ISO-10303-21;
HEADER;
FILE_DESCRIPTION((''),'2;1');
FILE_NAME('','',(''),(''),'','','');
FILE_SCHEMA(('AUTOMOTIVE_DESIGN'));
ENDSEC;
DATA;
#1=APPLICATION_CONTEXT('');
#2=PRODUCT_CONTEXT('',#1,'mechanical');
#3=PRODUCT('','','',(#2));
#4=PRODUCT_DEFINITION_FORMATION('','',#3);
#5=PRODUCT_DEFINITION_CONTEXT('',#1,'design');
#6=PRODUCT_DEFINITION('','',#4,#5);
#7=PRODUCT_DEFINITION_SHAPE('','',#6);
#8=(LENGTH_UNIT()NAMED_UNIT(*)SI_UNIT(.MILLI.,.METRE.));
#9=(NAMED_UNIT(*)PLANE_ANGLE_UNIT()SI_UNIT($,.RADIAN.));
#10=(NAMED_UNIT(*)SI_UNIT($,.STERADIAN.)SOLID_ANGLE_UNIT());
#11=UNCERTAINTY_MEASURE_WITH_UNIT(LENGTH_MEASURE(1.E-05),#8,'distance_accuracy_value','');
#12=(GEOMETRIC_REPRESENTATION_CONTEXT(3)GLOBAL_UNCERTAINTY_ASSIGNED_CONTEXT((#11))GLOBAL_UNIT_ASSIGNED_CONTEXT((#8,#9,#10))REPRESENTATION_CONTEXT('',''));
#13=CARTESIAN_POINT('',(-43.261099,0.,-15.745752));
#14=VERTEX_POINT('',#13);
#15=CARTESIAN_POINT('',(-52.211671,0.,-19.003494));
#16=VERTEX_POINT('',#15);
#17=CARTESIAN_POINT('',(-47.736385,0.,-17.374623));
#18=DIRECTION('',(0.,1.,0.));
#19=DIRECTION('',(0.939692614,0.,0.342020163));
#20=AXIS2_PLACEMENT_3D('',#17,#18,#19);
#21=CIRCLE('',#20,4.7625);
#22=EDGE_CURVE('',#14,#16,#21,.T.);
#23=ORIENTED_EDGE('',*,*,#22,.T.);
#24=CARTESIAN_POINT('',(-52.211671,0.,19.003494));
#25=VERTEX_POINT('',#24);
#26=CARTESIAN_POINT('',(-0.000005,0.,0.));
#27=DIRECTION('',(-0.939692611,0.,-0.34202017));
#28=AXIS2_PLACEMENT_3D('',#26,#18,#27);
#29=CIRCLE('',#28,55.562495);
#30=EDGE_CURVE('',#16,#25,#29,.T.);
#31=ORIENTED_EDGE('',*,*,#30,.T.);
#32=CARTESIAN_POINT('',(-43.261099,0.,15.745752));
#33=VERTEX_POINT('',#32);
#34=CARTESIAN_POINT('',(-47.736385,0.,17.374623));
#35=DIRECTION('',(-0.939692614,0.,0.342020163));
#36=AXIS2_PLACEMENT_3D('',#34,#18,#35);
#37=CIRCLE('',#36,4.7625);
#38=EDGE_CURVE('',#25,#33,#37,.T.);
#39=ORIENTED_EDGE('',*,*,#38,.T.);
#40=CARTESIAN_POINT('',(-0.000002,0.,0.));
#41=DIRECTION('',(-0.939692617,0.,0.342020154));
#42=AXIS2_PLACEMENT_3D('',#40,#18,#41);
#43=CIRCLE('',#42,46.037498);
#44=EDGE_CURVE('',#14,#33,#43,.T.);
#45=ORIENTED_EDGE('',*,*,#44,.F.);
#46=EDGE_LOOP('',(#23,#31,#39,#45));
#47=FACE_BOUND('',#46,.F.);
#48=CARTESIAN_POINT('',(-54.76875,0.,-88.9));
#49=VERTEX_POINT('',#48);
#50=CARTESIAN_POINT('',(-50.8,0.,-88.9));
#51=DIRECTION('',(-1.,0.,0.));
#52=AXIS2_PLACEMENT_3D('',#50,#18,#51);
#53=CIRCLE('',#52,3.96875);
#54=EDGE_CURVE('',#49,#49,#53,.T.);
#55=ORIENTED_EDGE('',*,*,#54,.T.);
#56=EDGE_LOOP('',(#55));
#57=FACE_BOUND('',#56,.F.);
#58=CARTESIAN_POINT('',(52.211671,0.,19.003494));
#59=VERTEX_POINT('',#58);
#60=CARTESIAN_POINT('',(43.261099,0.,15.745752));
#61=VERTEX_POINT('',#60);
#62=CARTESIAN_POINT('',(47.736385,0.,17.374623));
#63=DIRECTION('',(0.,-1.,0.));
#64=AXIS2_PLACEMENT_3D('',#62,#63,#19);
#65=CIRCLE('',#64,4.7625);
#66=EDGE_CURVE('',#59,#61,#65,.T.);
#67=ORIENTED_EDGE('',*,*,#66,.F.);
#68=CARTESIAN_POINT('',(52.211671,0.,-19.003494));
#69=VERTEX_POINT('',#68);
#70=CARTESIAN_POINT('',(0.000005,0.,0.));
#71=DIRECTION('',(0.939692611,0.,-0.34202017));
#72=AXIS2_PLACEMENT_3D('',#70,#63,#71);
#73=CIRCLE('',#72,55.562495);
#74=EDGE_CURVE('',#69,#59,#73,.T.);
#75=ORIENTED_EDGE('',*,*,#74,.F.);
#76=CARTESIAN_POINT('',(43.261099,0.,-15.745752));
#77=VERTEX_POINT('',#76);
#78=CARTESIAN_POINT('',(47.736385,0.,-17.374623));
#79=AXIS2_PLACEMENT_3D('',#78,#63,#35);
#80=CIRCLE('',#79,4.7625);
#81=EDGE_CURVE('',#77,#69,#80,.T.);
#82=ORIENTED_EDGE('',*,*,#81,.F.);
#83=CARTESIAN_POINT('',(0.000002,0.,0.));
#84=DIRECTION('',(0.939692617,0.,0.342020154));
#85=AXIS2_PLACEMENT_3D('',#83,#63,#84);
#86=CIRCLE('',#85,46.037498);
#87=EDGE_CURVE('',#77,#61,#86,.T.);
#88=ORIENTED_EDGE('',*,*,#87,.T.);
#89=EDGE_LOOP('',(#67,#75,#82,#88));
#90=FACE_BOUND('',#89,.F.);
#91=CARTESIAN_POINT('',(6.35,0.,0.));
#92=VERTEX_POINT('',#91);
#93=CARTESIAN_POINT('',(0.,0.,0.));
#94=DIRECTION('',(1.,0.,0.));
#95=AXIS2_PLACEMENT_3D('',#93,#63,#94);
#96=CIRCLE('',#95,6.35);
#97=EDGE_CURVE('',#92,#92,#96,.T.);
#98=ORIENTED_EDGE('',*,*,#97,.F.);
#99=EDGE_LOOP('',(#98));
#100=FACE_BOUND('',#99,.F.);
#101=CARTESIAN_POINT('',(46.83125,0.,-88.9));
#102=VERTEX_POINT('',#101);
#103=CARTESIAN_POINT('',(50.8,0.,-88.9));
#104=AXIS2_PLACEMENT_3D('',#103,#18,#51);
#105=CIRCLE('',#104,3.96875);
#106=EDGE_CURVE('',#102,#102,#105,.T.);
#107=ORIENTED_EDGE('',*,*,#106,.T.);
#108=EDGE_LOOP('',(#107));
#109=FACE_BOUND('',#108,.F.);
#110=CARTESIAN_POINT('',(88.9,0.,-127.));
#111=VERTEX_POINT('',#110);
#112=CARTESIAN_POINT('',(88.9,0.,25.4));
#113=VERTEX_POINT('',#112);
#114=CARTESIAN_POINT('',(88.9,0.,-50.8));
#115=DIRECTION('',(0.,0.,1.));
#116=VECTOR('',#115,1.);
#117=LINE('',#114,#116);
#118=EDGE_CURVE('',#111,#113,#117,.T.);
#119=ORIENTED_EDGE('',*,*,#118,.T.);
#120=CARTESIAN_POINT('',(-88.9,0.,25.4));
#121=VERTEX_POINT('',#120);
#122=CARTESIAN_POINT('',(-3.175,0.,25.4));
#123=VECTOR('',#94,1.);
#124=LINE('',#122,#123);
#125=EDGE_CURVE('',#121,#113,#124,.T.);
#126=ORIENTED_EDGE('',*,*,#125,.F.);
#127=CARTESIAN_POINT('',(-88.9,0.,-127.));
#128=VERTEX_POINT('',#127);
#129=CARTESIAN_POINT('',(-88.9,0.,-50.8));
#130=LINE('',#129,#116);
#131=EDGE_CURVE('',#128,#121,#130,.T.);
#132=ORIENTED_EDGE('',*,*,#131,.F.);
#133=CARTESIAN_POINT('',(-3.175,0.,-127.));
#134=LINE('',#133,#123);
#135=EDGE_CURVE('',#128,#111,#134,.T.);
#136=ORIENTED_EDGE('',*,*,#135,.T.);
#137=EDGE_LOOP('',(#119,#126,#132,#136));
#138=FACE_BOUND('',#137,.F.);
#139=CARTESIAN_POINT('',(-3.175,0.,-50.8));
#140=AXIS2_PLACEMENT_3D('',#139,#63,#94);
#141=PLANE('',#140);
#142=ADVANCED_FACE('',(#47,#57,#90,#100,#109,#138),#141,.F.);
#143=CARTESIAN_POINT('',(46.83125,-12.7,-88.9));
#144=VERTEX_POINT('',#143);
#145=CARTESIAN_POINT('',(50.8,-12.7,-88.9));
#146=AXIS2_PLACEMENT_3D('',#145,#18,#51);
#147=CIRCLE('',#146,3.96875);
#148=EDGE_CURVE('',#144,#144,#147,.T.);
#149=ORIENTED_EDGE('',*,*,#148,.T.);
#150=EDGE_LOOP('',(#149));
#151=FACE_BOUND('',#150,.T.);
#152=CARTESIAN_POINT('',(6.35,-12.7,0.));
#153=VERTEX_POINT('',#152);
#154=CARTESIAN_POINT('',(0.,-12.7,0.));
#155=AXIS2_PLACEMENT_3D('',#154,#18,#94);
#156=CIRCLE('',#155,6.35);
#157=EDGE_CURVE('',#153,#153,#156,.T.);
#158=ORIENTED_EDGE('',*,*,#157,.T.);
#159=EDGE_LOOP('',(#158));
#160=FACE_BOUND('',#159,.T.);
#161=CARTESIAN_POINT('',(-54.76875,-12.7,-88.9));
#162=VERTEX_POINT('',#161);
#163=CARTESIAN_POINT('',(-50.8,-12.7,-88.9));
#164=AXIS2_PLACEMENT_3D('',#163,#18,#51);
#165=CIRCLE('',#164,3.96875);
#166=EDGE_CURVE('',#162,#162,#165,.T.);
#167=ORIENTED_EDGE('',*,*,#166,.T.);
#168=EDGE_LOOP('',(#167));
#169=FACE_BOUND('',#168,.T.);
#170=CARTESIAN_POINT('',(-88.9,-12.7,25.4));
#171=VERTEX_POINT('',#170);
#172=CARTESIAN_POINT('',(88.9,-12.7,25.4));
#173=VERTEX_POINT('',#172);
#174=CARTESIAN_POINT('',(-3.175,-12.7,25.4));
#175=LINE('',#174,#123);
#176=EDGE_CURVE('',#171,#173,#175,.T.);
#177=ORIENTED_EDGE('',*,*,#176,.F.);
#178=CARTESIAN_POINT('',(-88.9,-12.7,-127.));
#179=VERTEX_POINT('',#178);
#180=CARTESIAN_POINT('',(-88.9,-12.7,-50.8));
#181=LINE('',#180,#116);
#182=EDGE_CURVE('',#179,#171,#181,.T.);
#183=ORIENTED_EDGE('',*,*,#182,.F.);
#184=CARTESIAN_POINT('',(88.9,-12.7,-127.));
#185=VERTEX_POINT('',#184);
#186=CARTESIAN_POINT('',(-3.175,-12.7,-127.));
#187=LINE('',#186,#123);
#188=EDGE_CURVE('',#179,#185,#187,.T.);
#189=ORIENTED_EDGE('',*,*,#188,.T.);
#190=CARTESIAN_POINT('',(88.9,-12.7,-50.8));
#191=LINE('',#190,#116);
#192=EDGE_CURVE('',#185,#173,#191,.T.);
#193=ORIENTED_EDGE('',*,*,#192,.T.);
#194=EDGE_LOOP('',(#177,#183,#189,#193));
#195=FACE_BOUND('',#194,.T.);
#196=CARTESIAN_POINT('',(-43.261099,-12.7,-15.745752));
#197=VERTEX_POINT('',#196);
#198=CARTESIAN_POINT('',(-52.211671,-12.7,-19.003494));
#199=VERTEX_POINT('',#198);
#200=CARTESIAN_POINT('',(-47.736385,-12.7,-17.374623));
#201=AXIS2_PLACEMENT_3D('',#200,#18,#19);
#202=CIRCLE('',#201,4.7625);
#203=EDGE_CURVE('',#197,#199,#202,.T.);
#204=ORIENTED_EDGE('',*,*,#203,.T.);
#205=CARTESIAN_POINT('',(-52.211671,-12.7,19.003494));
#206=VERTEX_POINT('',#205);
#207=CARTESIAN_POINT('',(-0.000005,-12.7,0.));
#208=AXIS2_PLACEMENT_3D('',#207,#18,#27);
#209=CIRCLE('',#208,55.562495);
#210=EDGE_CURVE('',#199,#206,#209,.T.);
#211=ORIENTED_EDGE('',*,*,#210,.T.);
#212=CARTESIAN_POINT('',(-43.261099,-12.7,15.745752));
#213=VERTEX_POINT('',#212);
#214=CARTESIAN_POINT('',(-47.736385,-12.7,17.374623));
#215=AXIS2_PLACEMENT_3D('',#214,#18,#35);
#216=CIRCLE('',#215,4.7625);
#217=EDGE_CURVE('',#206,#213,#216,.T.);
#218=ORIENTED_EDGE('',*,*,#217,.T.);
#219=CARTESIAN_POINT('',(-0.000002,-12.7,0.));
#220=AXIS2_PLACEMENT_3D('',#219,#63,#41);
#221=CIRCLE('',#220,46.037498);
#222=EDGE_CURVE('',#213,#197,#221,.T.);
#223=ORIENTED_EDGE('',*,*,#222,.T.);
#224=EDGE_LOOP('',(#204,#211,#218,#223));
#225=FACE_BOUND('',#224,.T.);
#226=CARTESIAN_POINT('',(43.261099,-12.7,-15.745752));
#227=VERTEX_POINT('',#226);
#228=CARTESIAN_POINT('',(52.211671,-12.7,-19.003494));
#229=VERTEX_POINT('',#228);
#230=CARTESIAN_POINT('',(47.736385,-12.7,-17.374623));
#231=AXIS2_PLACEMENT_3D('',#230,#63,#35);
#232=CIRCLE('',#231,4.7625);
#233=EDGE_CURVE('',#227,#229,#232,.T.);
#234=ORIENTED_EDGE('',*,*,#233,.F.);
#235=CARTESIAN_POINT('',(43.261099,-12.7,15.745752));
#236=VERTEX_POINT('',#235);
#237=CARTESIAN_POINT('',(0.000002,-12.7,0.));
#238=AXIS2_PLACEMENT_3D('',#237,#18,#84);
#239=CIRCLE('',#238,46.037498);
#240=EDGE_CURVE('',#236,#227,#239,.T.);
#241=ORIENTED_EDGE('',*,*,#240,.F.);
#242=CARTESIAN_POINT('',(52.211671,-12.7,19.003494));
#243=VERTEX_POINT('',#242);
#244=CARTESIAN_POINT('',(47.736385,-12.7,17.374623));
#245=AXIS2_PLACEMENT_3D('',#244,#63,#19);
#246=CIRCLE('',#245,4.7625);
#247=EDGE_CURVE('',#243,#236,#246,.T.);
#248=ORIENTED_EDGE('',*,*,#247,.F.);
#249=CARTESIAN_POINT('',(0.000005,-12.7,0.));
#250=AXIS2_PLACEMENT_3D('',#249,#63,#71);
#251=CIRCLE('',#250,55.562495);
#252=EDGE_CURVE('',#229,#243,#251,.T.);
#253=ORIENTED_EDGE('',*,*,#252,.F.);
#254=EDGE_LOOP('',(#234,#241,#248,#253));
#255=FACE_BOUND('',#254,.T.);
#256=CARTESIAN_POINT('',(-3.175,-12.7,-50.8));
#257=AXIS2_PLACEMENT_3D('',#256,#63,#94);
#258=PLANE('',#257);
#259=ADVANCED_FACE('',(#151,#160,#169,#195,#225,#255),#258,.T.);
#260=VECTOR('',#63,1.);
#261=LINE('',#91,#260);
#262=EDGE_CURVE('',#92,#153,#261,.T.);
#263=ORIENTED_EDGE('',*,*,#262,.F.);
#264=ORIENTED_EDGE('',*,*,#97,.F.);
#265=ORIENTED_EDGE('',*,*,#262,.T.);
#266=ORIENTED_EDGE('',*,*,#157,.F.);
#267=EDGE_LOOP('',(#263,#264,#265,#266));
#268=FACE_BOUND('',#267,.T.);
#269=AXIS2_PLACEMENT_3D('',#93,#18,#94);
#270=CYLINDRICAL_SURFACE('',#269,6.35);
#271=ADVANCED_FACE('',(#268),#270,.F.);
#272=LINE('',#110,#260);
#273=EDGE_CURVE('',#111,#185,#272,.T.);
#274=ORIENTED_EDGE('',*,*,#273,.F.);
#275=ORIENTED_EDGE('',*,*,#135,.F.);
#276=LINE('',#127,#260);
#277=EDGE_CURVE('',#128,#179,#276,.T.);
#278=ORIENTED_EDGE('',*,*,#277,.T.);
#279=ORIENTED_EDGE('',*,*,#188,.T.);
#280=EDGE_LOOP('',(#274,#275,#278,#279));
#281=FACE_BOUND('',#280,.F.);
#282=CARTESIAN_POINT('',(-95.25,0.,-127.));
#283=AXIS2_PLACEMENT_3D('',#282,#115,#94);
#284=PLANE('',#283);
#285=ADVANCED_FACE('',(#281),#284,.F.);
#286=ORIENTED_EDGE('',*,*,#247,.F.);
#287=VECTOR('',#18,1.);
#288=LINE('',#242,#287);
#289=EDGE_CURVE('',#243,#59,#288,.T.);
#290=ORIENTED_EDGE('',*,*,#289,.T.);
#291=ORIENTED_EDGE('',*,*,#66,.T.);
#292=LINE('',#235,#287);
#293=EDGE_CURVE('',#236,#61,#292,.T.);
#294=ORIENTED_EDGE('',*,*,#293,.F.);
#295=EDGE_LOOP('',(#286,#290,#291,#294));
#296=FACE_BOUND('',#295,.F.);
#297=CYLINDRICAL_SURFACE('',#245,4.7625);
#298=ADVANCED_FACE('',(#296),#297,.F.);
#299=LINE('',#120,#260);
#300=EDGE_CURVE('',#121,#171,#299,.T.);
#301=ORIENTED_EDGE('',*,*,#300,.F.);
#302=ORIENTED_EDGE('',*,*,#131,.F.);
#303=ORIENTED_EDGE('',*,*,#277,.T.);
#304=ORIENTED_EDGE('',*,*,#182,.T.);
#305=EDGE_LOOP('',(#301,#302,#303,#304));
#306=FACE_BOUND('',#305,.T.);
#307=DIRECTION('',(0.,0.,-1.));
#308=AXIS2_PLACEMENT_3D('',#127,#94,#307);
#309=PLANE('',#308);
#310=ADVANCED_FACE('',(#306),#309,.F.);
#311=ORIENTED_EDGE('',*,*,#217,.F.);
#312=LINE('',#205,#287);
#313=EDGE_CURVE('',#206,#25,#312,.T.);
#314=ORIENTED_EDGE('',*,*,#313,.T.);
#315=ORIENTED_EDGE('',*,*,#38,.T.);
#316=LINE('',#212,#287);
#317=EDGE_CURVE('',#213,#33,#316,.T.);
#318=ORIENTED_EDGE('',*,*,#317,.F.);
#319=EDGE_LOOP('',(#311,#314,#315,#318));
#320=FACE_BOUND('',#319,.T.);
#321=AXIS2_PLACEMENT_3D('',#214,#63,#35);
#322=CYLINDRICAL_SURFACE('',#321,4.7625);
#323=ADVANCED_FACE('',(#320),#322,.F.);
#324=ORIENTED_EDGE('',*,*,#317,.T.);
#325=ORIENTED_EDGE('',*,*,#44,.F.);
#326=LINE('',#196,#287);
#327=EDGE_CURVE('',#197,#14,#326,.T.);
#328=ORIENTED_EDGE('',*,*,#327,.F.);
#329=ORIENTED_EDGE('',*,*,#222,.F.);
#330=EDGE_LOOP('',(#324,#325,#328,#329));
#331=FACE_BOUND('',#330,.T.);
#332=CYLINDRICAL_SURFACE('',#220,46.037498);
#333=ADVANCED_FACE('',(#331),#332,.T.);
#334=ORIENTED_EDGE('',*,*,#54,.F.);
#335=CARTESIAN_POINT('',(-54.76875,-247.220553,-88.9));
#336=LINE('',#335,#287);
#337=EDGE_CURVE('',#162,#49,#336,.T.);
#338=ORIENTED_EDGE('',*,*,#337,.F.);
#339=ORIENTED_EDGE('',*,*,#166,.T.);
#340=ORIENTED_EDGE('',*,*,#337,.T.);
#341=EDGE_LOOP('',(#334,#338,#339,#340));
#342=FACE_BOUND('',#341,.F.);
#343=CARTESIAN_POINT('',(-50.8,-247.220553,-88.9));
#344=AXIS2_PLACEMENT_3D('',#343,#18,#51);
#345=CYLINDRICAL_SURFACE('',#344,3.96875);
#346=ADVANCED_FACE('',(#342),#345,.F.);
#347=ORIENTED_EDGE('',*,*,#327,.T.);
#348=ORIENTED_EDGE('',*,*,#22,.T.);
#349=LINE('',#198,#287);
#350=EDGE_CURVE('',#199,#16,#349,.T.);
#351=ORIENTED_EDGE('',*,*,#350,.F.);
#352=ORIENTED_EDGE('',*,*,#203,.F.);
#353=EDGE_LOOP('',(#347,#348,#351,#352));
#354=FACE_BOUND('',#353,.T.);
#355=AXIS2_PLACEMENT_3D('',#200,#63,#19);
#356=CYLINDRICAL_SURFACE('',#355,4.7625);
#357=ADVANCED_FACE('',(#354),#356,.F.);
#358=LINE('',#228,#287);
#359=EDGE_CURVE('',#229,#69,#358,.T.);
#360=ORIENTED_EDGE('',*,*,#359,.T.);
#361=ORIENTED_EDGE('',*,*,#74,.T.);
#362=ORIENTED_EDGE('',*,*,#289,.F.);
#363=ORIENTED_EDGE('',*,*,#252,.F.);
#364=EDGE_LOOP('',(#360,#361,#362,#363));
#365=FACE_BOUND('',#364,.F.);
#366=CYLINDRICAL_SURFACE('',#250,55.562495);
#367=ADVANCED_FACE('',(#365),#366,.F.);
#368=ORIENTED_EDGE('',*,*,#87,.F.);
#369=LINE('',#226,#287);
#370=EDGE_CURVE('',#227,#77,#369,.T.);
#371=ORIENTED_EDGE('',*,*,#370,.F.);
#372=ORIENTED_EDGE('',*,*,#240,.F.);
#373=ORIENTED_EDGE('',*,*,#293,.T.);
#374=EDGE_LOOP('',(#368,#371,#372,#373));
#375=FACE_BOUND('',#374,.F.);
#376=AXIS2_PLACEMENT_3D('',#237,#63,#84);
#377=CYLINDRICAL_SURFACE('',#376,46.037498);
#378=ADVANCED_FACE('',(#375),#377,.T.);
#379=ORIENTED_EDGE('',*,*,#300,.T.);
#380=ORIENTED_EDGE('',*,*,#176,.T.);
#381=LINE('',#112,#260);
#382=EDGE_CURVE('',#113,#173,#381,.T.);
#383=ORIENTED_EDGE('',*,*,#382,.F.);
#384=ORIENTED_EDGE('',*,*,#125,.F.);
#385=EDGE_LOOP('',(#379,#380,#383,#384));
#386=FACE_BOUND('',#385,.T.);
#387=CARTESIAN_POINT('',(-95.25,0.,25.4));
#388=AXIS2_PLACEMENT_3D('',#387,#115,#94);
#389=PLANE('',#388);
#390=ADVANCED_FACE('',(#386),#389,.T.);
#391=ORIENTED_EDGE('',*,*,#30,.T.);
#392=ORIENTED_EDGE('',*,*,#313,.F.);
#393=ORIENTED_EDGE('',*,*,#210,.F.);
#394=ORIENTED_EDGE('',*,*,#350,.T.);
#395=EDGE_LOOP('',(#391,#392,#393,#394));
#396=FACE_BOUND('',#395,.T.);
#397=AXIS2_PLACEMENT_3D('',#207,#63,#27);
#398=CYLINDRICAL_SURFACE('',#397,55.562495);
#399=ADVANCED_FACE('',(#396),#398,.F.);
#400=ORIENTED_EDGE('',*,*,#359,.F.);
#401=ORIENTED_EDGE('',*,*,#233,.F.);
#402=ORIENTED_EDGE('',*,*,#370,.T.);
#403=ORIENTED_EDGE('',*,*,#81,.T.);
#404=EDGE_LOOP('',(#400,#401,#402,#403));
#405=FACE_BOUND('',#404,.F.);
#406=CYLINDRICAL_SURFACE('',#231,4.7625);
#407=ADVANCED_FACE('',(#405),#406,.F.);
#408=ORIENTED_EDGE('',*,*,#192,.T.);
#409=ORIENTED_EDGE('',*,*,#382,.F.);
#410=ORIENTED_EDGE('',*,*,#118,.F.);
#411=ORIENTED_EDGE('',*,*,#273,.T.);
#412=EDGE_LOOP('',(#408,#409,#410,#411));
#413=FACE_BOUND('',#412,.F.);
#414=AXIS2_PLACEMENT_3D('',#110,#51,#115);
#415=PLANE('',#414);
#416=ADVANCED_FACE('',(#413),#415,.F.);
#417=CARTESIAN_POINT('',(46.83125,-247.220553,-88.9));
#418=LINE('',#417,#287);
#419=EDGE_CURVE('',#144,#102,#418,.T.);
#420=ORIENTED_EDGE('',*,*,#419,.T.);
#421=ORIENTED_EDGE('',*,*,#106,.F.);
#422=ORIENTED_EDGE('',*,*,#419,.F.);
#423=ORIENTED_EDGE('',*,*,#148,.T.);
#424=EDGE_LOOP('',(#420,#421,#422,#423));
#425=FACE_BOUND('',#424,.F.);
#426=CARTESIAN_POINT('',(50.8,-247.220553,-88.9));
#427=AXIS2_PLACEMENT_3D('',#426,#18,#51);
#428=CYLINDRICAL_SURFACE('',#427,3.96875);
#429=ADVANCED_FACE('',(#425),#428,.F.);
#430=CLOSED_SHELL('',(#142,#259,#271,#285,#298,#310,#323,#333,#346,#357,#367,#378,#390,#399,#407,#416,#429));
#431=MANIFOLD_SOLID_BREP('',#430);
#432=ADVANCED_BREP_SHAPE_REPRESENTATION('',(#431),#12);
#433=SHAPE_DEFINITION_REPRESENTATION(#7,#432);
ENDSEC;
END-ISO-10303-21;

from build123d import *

# Parameters (mm, degrees)
F0_W     = 184.15
F0_H     = 152.4
F0_R     = 6.35
F1_DEPTH = 12.7
F3_DEPTH = 12.701
F6_D     = 7.9375


with BuildPart() as f1:
    # F0 (on Front) → F1 (new body)
    with BuildSketch(Plane.XZ):
        with Locations((-3.175, -50.8)):
            Rectangle(F0_W, F0_H)
        Circle(F0_R, mode=Mode.SUBTRACT)
    extrude(amount=F1_DEPTH)

    # F2 (on face) → F3 (cut, through all)
    with BuildSketch(Plane.XZ.offset(12.7)):
        with BuildLine():
            ThreePointArc((52.211671, -19.003494), (55.5625, 0), (52.211671, 19.003494))
            ThreePointArc((52.211671, 19.003494), (46.107514, 21.849909), (43.261099, 15.745752))
            ThreePointArc((43.261099, 15.745752), (46.0375, 0), (43.261099, -15.745752))
            ThreePointArc((43.261099, -15.745752), (46.107514, -21.849909), (52.211671, -19.003494))
        make_face()
    extrude(amount=-F3_DEPTH, mode=Mode.SUBTRACT)

    # F4: F1 across plane


with BuildPart() as f1_1:
    add(f1.part)
    add(f1.part.mirror(Plane.YZ), mode=Mode.INTERSECT)

    # F6 (through all)
    with Locations(Plane.XZ.offset(12.7)):
        with Locations((50.8, -88.9), (-50.8, -88.9)):
            Hole(F6_D / 2)


solid = f1_1.part
